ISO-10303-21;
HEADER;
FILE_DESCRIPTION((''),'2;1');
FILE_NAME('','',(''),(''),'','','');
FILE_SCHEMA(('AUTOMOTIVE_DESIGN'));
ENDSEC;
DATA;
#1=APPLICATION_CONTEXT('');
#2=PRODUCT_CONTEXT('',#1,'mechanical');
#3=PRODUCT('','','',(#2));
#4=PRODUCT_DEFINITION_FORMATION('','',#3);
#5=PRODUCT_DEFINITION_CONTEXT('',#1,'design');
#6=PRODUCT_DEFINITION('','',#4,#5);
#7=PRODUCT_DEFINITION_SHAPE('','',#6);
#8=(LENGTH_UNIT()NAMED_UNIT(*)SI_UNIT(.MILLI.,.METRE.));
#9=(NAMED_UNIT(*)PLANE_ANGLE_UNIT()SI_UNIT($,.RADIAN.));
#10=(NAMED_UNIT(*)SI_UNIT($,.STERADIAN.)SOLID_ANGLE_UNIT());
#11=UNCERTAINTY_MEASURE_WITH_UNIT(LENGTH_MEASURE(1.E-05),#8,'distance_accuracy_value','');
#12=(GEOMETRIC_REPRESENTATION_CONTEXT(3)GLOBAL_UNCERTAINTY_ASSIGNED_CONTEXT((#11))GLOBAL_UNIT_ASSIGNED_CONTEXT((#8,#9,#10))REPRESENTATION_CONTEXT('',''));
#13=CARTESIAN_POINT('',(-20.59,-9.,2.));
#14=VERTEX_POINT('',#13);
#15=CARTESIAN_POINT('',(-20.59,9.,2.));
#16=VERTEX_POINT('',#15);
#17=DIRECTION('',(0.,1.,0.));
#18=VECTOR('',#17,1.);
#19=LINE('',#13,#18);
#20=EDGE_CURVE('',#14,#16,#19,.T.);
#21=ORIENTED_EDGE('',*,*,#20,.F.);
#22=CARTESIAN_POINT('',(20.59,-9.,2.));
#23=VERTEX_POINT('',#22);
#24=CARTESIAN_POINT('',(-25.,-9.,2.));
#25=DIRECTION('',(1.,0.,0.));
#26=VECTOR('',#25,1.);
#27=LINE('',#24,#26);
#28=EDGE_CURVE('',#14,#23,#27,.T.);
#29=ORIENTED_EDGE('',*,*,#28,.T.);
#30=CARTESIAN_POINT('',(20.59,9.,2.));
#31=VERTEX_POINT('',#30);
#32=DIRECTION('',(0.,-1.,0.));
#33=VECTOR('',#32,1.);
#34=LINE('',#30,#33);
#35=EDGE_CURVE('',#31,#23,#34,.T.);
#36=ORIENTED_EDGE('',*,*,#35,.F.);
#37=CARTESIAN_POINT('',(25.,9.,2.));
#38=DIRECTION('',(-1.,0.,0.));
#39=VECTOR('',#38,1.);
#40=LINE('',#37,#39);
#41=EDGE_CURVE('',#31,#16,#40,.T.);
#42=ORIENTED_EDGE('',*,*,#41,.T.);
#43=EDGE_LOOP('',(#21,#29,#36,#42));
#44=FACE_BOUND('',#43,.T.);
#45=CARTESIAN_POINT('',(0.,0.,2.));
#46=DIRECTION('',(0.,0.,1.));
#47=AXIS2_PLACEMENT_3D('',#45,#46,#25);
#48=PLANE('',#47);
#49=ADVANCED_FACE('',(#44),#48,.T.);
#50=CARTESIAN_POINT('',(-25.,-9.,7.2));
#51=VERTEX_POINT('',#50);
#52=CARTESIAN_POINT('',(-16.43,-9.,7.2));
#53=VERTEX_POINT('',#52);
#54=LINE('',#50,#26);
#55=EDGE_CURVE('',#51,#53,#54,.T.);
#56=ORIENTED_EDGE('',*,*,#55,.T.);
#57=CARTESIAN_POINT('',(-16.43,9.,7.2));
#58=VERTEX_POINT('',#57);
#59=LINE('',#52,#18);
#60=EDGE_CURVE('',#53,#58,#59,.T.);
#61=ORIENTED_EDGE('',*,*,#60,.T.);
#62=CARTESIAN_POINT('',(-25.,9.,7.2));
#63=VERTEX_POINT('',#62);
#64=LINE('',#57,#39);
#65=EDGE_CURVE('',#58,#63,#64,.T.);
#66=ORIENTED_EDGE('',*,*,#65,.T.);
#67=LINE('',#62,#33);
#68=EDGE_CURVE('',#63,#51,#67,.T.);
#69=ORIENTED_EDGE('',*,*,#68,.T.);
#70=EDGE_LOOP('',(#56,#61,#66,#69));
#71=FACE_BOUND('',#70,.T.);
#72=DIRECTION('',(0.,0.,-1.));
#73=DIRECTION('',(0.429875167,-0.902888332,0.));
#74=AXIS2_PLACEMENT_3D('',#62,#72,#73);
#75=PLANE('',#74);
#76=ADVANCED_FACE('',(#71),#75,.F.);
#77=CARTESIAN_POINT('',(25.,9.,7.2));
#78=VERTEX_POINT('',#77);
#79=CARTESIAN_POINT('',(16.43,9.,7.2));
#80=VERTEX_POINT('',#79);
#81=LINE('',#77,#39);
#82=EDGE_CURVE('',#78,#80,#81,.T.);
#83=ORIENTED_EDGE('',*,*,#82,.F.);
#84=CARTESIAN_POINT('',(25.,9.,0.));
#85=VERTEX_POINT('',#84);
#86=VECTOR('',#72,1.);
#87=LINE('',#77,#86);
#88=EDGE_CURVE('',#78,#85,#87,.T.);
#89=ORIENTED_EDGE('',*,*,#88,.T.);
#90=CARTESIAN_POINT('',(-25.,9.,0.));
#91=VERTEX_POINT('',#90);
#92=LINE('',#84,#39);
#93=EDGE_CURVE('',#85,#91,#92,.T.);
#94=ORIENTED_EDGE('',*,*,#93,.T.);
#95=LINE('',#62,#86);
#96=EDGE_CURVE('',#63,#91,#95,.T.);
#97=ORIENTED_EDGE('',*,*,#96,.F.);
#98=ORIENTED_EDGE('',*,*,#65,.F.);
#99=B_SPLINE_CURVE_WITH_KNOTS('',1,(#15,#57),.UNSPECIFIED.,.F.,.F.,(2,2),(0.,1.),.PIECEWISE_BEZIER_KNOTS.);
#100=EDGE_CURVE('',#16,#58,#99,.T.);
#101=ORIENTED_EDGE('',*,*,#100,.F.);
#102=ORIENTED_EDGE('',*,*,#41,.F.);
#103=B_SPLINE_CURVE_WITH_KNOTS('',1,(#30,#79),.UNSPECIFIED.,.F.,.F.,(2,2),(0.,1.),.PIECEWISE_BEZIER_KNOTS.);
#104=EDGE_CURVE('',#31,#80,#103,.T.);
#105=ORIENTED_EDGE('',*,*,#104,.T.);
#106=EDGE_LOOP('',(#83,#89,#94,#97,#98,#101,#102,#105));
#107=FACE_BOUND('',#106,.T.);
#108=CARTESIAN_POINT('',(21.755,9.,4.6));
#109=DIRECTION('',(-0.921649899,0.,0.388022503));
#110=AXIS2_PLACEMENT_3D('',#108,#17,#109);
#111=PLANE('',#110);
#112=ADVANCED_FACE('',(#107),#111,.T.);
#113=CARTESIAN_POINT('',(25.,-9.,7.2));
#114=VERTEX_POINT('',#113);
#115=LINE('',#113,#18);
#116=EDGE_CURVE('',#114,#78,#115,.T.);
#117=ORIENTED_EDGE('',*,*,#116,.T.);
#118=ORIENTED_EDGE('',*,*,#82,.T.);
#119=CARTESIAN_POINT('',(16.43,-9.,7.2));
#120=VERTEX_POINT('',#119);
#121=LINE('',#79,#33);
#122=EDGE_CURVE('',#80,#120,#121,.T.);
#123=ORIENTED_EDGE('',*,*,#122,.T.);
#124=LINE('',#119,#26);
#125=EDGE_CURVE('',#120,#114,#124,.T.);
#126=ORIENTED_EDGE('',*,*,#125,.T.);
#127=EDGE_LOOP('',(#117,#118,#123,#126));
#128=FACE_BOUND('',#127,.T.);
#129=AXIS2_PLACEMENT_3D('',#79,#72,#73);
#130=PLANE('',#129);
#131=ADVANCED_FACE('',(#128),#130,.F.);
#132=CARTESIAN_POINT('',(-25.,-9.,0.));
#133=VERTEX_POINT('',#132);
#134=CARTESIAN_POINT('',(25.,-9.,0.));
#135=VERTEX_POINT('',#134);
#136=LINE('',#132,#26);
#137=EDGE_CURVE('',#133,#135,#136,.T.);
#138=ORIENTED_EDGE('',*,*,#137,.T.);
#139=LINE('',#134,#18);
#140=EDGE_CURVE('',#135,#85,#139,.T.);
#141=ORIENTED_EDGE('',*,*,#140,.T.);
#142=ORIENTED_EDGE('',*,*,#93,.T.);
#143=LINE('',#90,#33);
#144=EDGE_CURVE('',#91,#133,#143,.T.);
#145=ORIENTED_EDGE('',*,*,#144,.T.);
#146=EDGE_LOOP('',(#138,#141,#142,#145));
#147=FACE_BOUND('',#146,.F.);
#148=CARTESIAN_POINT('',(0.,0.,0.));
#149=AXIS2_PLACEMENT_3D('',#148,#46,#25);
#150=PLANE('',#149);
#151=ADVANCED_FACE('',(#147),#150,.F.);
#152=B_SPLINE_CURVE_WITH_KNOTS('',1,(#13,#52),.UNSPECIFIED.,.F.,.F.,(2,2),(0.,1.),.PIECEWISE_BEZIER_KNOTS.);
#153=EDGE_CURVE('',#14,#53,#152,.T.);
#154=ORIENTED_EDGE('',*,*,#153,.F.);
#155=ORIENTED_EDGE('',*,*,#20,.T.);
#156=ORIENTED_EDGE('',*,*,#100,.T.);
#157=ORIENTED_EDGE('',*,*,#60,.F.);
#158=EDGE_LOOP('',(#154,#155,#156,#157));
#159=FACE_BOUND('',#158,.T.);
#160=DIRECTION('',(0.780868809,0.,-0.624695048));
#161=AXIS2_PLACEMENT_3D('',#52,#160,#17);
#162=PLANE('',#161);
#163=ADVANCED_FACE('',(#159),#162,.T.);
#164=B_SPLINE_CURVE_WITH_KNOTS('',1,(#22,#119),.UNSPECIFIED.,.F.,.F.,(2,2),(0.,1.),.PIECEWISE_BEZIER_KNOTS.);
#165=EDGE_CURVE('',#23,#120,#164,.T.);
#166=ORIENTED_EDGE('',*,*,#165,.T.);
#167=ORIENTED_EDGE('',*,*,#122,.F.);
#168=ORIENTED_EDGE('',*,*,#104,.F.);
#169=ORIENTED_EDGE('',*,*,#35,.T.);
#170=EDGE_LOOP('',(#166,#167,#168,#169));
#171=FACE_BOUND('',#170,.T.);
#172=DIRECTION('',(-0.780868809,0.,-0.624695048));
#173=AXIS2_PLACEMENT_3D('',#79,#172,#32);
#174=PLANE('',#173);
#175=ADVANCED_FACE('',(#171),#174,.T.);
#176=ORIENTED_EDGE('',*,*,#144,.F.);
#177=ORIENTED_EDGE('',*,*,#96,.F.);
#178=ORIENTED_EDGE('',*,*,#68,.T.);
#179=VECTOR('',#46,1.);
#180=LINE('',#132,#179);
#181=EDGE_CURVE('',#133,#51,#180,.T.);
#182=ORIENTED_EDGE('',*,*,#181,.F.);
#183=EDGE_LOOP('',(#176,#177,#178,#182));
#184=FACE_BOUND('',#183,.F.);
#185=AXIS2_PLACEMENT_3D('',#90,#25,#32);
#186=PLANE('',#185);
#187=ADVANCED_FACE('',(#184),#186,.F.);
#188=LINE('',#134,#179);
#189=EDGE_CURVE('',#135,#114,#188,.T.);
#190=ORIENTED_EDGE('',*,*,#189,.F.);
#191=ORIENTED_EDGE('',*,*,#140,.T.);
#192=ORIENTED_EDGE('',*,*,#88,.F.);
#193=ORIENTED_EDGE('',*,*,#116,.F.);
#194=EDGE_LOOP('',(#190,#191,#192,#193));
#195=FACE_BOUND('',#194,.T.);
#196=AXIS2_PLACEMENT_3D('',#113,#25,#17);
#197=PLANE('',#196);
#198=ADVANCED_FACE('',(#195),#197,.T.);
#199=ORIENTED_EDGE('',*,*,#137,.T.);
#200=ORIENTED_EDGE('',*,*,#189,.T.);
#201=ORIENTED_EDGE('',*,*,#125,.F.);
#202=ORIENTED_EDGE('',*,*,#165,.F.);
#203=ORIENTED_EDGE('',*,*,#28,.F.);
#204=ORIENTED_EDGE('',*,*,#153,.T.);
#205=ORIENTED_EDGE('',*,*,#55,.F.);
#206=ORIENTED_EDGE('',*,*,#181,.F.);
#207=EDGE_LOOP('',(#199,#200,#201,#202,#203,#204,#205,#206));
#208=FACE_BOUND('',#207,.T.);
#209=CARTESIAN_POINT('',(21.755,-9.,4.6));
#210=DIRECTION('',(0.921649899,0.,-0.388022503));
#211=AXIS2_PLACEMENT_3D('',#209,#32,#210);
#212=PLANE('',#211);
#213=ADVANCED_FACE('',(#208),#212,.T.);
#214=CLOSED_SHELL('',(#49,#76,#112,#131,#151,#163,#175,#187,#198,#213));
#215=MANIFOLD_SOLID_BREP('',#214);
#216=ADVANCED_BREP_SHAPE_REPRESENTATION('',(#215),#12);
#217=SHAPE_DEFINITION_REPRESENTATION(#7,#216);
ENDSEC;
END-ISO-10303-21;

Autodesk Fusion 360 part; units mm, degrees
ref_plane "工作平面1" through (0, 0, 0) normal (0, 0, 1) x (1, 0, 0)
sketch "草图1" plane through (0, 0, 0) normal (0, 0, 1) x (1, 0, 0)
  line L0 (-25, -9) -> (25, -9)
  line L1 (25, -9) -> (25, 9)
  line L2 (25, 9) -> (-25, 9)
  line L3 (-25, 9) -> (-25, -9)
extrude "Coupon base" add sketch "草图1" along normal blind 2
ref_plane "工作平面2" through (0, 0, 2) normal (0, 0, 1) x (1, 0, 0)
sketch "草图2" plane through (0, 0, 2) normal (0, 0, 1) x (1, 0, 0)
  line L0 (-25, -9) -> (-20.59, -9)
  line L1 (-20.59, -9) -> (-20.59, 9)
  line L2 (-20.59, 9) -> (-25, 9)
  line L3 (-25, 9) -> (-25, -9)
ref_plane "工作平面3" through (0, 0, 7.2) normal (0, 0, 1) x (1, 0, 0)
sketch "草图3" plane through (0, 0, 7.2) normal (0, 0, 1) x (1, 0, 0)
  line L0 (-25, -9) -> (-16.43, -9)
  line L1 (-16.43, -9) -> (-16.43, 9)
  line L2 (-16.43, 9) -> (-25, 9)
  line L3 (-25, 9) -> (-25, -9)
loft "Coupon dovetail rail" add profiles "草图2", "草图3" section 1 section 2
ref_plane "工作平面4" through (0, 0, 2) normal (0, 0, 1) x (1, 0, 0)
sketch "草图4" plane through (0, 0, 2) normal (0, 0, 1) x (1, 0, 0)
  line L0 (20.59, -9) -> (25, -9)
  line L1 (25, -9) -> (25, 9)
  line L2 (25, 9) -> (20.59, 9)
  line L3 (20.59, 9) -> (20.59, -9)
ref_plane "工作平面5" through (0, 0, 7.2) normal (0, 0, 1) x (1, 0, 0)
sketch "草图5" plane through (0, 0, 7.2) normal (0, 0, 1) x (1, 0, 0)
  line L0 (16.43, -9) -> (25, -9)
  line L1 (25, -9) -> (25, 9)
  line L2 (25, 9) -> (16.43, 9)
  line L3 (16.43, 9) -> (16.43, -9)
loft "Coupon dovetail rail (1)" add profiles "草图4", "草图5" section 1 section 2
